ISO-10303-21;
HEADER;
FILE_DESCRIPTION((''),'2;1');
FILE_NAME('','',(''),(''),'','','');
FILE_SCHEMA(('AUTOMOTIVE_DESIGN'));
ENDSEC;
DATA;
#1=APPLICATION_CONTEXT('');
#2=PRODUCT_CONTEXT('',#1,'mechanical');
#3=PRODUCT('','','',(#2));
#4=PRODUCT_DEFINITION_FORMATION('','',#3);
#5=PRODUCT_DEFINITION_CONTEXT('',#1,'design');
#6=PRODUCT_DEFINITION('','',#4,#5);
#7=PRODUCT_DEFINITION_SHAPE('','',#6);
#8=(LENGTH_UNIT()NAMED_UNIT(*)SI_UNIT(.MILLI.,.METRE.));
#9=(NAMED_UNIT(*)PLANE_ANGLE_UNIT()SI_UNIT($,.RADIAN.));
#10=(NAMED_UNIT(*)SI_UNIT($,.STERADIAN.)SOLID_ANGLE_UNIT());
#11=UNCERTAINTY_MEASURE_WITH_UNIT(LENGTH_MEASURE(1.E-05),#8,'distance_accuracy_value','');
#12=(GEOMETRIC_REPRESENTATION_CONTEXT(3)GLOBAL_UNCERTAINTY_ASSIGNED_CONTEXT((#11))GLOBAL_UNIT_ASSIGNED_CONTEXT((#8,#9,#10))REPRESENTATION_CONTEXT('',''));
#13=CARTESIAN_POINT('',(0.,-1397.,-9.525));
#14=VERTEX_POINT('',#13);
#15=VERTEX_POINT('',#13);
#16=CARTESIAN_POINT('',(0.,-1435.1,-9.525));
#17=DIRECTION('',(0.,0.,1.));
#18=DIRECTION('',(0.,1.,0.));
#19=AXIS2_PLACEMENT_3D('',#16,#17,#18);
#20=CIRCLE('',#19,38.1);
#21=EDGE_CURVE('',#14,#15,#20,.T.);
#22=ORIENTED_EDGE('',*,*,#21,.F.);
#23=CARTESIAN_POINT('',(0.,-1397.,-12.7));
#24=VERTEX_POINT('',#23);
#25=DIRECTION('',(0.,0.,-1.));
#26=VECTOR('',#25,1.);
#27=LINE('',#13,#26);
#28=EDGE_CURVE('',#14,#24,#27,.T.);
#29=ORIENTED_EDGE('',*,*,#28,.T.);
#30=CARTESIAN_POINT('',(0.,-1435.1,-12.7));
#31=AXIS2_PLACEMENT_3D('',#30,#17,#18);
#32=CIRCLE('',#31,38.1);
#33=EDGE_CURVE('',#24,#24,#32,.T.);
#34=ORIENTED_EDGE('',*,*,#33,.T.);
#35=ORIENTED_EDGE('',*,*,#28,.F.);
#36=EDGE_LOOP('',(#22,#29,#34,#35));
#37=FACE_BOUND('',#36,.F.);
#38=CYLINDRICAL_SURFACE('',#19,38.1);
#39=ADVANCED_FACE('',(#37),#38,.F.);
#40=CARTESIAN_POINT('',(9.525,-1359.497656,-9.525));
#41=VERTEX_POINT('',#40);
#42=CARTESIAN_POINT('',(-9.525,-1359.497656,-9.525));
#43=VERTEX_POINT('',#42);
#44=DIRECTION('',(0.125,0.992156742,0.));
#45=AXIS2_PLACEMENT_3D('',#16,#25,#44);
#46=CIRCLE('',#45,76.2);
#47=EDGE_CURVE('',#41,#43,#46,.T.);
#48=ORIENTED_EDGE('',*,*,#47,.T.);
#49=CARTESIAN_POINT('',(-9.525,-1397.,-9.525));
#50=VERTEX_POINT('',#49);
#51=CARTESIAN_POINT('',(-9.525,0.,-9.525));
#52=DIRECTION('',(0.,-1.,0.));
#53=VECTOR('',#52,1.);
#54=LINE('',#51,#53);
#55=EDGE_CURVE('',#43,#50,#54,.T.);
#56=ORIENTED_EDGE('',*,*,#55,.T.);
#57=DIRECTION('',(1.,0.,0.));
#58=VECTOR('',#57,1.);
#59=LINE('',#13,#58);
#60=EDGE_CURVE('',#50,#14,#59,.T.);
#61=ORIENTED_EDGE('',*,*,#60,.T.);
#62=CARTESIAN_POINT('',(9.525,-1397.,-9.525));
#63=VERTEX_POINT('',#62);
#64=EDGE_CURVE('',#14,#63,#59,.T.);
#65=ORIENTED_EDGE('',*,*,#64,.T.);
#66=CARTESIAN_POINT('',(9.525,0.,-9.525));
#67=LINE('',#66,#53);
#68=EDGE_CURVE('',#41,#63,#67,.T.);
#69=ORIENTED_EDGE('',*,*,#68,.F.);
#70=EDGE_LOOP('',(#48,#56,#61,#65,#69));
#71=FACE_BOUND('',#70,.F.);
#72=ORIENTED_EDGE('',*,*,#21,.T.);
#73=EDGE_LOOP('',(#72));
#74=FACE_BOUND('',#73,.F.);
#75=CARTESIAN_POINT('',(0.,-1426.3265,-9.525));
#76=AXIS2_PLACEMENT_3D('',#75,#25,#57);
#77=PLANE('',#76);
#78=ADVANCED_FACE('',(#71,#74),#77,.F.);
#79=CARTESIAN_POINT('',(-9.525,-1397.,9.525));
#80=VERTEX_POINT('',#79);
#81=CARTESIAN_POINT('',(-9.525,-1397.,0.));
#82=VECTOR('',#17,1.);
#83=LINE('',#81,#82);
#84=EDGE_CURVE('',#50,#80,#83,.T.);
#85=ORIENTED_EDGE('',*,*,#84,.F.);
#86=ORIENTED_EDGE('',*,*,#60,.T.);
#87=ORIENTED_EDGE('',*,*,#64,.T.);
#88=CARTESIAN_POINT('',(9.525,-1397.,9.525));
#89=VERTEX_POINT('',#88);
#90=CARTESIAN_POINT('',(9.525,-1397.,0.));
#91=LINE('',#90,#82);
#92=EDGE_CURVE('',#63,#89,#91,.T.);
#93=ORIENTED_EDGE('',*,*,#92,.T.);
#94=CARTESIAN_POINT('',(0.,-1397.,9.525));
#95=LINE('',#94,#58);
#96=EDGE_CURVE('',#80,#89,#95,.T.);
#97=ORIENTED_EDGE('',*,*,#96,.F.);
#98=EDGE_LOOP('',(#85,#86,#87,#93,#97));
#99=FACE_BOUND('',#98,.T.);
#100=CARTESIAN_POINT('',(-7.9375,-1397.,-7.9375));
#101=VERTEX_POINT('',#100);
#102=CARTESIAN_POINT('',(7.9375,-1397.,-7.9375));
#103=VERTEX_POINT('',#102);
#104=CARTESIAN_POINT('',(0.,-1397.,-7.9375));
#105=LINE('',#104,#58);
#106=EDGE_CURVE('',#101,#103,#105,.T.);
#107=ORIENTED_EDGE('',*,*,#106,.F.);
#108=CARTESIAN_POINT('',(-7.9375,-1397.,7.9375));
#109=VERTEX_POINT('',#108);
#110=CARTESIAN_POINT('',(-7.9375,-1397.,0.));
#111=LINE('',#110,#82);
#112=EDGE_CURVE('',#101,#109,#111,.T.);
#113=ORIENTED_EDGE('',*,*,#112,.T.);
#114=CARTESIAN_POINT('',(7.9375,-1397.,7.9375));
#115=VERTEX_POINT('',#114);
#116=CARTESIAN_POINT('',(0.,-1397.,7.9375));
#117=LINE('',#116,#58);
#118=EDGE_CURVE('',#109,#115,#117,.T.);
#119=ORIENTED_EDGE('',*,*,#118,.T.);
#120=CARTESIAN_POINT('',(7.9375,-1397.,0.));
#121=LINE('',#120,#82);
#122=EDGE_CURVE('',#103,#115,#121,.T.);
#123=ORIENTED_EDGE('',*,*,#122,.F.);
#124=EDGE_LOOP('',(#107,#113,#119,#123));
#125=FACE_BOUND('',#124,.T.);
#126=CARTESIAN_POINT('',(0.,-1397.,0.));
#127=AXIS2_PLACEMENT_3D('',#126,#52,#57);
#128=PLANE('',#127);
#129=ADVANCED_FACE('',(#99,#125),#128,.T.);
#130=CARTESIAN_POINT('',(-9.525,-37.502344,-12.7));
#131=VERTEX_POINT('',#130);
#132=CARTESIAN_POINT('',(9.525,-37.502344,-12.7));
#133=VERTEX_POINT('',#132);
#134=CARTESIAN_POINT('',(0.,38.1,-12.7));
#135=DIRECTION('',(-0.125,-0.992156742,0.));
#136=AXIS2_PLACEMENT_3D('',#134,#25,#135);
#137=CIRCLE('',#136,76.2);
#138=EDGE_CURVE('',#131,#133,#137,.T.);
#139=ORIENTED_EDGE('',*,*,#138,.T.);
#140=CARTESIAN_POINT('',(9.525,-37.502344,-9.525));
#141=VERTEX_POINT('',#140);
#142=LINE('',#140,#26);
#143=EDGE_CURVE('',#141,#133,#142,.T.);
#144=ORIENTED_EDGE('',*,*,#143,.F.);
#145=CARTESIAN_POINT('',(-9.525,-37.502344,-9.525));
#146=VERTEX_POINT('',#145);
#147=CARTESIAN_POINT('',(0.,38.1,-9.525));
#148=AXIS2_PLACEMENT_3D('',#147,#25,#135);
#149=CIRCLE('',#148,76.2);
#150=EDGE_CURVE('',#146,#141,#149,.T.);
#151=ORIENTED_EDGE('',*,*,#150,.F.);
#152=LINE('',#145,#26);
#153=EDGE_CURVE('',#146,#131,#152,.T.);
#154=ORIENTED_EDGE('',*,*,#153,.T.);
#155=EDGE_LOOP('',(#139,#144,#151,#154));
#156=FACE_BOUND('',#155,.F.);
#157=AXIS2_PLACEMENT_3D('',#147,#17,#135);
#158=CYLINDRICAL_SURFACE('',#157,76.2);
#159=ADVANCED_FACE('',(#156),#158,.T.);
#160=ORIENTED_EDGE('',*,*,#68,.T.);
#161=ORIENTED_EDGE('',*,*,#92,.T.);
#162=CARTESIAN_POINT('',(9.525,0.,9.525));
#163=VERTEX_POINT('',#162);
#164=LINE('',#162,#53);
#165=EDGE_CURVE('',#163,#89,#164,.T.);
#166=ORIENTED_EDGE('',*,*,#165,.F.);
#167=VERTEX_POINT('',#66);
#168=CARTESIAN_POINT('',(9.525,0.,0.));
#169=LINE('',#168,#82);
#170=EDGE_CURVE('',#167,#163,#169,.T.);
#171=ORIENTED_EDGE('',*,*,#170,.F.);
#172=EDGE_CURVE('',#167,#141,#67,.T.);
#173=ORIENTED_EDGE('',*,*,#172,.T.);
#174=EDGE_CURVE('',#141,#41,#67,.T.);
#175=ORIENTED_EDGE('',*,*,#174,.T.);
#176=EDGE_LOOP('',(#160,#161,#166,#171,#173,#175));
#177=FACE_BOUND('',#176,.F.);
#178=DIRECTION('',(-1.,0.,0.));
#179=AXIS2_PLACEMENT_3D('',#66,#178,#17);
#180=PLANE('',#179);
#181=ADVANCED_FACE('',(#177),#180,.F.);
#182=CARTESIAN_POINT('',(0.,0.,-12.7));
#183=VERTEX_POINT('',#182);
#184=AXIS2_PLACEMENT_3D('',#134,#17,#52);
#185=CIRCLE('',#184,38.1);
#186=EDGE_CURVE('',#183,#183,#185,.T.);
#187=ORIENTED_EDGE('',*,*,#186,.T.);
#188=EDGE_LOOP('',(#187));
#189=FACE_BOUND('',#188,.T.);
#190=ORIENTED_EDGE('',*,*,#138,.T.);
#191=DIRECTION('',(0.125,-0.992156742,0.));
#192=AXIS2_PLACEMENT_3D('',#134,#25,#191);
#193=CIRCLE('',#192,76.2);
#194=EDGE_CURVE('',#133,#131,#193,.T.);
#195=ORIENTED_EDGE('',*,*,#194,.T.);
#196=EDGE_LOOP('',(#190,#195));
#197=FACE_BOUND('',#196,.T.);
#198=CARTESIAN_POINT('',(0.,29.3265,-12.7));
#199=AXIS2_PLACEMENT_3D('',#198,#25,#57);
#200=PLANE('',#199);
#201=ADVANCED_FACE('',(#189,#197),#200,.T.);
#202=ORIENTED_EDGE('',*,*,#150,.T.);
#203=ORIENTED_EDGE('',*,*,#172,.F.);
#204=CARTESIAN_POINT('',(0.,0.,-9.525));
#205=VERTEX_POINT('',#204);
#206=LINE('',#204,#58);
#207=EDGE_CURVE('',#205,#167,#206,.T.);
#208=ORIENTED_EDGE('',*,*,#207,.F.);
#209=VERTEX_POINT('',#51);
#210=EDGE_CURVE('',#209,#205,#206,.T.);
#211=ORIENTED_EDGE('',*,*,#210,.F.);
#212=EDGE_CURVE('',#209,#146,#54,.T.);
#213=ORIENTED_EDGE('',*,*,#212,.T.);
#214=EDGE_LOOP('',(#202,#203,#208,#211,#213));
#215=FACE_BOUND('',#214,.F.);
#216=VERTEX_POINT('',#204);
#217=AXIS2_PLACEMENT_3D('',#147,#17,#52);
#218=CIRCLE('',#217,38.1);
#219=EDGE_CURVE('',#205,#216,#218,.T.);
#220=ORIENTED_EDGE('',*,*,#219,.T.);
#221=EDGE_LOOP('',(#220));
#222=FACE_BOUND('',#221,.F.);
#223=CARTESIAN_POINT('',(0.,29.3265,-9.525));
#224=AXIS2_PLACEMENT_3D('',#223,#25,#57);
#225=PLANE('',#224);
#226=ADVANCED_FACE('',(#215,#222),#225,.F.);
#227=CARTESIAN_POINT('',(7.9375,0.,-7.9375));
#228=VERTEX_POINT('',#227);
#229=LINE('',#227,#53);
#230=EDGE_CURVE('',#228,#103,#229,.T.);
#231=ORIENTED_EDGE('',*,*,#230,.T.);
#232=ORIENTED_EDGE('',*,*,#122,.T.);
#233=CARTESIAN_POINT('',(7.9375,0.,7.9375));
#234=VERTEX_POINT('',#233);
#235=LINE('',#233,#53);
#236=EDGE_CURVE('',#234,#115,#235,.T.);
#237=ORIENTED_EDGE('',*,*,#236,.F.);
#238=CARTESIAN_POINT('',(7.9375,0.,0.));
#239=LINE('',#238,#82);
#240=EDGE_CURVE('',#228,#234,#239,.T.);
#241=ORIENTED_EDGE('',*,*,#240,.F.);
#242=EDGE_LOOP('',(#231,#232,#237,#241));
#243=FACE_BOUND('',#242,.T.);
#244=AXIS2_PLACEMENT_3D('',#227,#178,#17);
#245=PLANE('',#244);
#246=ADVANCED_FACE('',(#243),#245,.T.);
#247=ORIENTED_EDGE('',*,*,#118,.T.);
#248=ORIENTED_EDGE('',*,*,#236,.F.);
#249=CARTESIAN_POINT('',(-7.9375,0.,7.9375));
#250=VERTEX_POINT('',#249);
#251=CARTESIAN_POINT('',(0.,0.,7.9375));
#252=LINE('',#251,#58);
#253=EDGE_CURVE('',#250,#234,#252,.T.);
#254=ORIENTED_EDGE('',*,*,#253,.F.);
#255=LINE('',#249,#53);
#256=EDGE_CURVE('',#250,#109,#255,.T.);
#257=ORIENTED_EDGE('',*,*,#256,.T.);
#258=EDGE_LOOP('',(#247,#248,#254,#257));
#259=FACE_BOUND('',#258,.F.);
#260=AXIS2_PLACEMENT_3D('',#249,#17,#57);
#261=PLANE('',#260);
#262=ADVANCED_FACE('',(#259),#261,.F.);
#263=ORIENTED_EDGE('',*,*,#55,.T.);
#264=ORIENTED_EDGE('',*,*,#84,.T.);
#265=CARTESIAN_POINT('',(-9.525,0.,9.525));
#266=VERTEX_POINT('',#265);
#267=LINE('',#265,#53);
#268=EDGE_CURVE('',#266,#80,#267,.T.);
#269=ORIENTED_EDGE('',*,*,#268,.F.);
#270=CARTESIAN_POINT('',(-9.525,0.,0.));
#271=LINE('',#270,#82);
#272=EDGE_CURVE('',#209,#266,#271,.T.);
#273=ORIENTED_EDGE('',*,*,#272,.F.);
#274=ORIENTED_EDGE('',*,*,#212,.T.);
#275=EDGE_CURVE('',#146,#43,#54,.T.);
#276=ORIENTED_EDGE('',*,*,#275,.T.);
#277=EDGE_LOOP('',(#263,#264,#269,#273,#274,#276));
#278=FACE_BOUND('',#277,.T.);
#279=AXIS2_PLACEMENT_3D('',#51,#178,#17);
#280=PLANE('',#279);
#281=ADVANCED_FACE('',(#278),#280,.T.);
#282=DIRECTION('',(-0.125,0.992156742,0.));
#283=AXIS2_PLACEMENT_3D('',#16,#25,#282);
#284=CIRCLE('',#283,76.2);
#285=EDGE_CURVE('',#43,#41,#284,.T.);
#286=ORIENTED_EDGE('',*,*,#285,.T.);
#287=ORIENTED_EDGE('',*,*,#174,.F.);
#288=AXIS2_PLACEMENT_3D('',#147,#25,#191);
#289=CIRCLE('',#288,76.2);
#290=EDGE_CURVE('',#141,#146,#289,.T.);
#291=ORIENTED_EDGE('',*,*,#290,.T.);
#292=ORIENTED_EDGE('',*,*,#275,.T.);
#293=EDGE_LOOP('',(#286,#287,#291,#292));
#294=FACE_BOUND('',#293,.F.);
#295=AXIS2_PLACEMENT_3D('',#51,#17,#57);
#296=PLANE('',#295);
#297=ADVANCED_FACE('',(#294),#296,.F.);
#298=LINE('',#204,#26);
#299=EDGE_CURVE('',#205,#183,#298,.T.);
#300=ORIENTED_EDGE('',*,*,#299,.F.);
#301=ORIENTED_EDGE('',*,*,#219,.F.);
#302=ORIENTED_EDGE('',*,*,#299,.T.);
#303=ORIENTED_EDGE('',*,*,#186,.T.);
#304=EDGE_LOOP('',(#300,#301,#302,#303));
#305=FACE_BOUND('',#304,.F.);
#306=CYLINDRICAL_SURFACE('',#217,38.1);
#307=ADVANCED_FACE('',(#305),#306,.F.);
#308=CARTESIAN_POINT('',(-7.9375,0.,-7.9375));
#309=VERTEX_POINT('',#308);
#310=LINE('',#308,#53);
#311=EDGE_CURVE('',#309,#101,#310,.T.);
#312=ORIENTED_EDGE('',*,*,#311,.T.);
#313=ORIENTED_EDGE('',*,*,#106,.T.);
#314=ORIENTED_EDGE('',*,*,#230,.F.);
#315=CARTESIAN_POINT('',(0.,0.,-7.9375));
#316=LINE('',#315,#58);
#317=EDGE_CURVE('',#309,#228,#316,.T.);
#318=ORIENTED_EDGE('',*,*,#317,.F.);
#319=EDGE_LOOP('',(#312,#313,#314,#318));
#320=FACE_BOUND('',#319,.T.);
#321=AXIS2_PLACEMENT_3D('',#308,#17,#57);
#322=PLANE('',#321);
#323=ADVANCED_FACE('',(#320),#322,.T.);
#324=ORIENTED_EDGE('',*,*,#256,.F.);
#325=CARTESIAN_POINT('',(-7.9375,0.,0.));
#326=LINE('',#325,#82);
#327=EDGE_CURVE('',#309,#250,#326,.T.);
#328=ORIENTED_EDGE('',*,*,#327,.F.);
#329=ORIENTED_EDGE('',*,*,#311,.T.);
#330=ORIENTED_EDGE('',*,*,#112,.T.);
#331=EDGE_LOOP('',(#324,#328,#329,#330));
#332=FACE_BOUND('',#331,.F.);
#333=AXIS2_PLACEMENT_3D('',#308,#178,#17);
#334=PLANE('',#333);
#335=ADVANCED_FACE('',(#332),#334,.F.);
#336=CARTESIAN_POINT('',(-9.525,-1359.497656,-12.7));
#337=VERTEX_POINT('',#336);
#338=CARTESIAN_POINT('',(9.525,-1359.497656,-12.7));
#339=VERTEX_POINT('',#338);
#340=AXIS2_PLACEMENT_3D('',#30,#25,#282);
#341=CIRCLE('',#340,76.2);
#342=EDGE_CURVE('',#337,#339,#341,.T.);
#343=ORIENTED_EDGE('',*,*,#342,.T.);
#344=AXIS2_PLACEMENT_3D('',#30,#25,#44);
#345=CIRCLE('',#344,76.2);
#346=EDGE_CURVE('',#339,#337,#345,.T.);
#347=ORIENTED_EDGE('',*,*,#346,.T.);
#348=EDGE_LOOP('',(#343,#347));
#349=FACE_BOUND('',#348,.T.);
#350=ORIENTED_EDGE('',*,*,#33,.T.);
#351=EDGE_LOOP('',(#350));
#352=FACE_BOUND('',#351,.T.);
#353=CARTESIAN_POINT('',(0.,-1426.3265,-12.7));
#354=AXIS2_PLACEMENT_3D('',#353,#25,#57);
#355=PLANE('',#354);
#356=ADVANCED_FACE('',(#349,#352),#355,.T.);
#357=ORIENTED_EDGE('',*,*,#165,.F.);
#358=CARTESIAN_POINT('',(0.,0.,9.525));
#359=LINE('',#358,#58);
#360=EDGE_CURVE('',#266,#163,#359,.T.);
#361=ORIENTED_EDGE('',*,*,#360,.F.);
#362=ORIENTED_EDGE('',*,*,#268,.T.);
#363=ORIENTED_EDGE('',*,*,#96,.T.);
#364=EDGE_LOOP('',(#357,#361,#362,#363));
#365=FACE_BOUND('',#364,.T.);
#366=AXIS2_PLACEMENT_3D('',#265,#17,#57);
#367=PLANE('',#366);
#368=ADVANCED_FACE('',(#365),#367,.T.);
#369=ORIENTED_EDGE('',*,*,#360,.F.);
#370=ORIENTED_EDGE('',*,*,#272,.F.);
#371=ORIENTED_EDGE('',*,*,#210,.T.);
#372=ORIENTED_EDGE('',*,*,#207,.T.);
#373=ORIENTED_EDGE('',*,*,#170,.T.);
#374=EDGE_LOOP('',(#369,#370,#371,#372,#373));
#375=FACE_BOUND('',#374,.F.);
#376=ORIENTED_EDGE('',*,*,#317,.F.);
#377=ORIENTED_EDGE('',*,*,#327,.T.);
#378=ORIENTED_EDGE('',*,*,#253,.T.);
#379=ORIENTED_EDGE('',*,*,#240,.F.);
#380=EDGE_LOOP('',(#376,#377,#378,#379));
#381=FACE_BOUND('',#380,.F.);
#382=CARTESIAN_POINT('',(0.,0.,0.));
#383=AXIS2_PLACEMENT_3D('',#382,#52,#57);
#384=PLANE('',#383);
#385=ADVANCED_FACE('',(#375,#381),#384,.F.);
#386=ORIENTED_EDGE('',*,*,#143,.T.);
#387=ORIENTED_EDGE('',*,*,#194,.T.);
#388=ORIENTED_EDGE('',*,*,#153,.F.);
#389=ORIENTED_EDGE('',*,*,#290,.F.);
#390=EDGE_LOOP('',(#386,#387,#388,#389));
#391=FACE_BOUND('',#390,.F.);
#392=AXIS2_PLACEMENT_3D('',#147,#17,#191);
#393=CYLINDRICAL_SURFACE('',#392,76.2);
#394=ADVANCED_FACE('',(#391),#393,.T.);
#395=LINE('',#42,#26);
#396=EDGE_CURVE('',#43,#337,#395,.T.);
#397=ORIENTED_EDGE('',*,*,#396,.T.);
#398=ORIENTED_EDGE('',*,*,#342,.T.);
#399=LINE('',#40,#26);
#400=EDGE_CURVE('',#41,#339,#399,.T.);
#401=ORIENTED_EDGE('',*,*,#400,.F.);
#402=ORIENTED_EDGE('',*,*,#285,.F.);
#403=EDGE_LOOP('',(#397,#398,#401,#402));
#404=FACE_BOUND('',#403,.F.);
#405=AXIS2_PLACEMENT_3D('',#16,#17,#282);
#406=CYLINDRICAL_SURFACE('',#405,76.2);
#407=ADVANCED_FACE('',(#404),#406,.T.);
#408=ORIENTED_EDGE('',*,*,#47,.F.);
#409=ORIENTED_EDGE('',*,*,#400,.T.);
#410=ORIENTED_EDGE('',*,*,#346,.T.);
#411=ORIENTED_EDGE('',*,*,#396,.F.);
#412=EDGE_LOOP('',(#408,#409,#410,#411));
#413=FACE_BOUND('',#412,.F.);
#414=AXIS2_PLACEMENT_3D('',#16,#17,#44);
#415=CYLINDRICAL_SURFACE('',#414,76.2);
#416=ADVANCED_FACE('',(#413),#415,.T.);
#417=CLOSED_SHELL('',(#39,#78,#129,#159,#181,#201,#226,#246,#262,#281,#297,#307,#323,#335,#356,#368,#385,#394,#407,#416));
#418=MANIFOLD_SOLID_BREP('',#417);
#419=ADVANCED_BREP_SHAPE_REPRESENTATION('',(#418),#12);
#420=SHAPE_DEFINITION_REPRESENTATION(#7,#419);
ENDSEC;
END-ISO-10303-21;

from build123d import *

# Parameters (mm, degrees)
F0_W     = 19.05
F0_H     = 19.05
F0_W_2   = 15.875
F0_H_2   = 15.875
F1_DEPTH = 1397
F3_DEPTH = 3.175
F5_DEPTH = 3.175


with BuildPart() as f1:
    # F0 (on Front) → F1 (new body)
    with BuildSketch(Plane.XZ):
        Rectangle(F0_W, F0_H)
        Rectangle(F0_W_2, F0_H_2, mode=Mode.SUBTRACT)
    extrude(amount=F1_DEPTH)

    # F2 (on face) → F3 (join)
    with BuildSketch(Plane(origin=(0, 0, -9.525), x_dir=(1, 0, 0), z_dir=(0, 0, -1))):
        with BuildLine():
            ThreePointArc((-9.525, 37.5023437137), (-50.4015624758, -95.25), (76.2, -38.1))
            ThreePointArc((76.2, -38.1), (57.15, 12.3015624758), (9.525, 37.5023437137))
            Line((9.525, 37.5023437137), (9.525, 0))
            Line((9.525, 0), (0, 0))
            Line((0, 0), (-9.525, 0))
            Line((-9.525, 0), (-9.525, 37.5023437137))
        make_face()
        with BuildLine():
            ThreePointArc((38.1, -38.1), (-26.9407683632, -65.0407683632), (0, 0))
            ThreePointArc((0, 0), (26.9407683632, -11.1592316368), (38.1, -38.1))
        make_face(mode=Mode.SUBTRACT)
        with BuildLine():
            Line((9.525, 0), (9.525, 37.5023437137))
            ThreePointArc((9.525, 37.5023437137), (0, 38.1), (-9.525, 37.5023437137))
            Line((-9.525, 37.5023437137), (-9.525, 0))
            Line((-9.525, 0), (0, 0))
            Line((0, 0), (9.525, 0))
        make_face()
    extrude(amount=F3_DEPTH)

    # F4 (on face) → F5 (join)
    with BuildSketch(Plane(origin=(0, 0, -9.525), x_dir=(1, 0, 0), z_dir=(0, 0, -1))):
        with BuildLine():
            ThreePointArc((9.525, 1359.4976562863), (57.15, 1384.6984375242), (76.2, 1435.1))
            ThreePointArc((76.2, 1435.1), (-50.4015624758, 1492.25), (-9.525, 1359.4976562863))
            Line((-9.525, 1359.4976562863), (-9.525, 1397))
            Line((-9.525, 1397), (0, 1397))
            Line((0, 1397), (9.525, 1397))
            Line((9.525, 1397), (9.525, 1359.4976562863))
        make_face()
        with BuildLine():
            ThreePointArc((38.1, 1435.1), (26.9407683632, 1408.1592316368), (0, 1397))
            ThreePointArc((0, 1397), (-26.9407683632, 1462.0407683632), (38.1, 1435.1))
        make_face(mode=Mode.SUBTRACT)
        with BuildLine():
            Line((-9.525, 1397), (-9.525, 1359.4976562863))
            ThreePointArc((-9.525, 1359.4976562863), (0, 1358.9), (9.525, 1359.4976562863))
            Line((9.525, 1359.4976562863), (9.525, 1397))
            Line((9.525, 1397), (0, 1397))
            Line((0, 1397), (-9.525, 1397))
        make_face()
    extrude(amount=F5_DEPTH)


solid = f1.part
